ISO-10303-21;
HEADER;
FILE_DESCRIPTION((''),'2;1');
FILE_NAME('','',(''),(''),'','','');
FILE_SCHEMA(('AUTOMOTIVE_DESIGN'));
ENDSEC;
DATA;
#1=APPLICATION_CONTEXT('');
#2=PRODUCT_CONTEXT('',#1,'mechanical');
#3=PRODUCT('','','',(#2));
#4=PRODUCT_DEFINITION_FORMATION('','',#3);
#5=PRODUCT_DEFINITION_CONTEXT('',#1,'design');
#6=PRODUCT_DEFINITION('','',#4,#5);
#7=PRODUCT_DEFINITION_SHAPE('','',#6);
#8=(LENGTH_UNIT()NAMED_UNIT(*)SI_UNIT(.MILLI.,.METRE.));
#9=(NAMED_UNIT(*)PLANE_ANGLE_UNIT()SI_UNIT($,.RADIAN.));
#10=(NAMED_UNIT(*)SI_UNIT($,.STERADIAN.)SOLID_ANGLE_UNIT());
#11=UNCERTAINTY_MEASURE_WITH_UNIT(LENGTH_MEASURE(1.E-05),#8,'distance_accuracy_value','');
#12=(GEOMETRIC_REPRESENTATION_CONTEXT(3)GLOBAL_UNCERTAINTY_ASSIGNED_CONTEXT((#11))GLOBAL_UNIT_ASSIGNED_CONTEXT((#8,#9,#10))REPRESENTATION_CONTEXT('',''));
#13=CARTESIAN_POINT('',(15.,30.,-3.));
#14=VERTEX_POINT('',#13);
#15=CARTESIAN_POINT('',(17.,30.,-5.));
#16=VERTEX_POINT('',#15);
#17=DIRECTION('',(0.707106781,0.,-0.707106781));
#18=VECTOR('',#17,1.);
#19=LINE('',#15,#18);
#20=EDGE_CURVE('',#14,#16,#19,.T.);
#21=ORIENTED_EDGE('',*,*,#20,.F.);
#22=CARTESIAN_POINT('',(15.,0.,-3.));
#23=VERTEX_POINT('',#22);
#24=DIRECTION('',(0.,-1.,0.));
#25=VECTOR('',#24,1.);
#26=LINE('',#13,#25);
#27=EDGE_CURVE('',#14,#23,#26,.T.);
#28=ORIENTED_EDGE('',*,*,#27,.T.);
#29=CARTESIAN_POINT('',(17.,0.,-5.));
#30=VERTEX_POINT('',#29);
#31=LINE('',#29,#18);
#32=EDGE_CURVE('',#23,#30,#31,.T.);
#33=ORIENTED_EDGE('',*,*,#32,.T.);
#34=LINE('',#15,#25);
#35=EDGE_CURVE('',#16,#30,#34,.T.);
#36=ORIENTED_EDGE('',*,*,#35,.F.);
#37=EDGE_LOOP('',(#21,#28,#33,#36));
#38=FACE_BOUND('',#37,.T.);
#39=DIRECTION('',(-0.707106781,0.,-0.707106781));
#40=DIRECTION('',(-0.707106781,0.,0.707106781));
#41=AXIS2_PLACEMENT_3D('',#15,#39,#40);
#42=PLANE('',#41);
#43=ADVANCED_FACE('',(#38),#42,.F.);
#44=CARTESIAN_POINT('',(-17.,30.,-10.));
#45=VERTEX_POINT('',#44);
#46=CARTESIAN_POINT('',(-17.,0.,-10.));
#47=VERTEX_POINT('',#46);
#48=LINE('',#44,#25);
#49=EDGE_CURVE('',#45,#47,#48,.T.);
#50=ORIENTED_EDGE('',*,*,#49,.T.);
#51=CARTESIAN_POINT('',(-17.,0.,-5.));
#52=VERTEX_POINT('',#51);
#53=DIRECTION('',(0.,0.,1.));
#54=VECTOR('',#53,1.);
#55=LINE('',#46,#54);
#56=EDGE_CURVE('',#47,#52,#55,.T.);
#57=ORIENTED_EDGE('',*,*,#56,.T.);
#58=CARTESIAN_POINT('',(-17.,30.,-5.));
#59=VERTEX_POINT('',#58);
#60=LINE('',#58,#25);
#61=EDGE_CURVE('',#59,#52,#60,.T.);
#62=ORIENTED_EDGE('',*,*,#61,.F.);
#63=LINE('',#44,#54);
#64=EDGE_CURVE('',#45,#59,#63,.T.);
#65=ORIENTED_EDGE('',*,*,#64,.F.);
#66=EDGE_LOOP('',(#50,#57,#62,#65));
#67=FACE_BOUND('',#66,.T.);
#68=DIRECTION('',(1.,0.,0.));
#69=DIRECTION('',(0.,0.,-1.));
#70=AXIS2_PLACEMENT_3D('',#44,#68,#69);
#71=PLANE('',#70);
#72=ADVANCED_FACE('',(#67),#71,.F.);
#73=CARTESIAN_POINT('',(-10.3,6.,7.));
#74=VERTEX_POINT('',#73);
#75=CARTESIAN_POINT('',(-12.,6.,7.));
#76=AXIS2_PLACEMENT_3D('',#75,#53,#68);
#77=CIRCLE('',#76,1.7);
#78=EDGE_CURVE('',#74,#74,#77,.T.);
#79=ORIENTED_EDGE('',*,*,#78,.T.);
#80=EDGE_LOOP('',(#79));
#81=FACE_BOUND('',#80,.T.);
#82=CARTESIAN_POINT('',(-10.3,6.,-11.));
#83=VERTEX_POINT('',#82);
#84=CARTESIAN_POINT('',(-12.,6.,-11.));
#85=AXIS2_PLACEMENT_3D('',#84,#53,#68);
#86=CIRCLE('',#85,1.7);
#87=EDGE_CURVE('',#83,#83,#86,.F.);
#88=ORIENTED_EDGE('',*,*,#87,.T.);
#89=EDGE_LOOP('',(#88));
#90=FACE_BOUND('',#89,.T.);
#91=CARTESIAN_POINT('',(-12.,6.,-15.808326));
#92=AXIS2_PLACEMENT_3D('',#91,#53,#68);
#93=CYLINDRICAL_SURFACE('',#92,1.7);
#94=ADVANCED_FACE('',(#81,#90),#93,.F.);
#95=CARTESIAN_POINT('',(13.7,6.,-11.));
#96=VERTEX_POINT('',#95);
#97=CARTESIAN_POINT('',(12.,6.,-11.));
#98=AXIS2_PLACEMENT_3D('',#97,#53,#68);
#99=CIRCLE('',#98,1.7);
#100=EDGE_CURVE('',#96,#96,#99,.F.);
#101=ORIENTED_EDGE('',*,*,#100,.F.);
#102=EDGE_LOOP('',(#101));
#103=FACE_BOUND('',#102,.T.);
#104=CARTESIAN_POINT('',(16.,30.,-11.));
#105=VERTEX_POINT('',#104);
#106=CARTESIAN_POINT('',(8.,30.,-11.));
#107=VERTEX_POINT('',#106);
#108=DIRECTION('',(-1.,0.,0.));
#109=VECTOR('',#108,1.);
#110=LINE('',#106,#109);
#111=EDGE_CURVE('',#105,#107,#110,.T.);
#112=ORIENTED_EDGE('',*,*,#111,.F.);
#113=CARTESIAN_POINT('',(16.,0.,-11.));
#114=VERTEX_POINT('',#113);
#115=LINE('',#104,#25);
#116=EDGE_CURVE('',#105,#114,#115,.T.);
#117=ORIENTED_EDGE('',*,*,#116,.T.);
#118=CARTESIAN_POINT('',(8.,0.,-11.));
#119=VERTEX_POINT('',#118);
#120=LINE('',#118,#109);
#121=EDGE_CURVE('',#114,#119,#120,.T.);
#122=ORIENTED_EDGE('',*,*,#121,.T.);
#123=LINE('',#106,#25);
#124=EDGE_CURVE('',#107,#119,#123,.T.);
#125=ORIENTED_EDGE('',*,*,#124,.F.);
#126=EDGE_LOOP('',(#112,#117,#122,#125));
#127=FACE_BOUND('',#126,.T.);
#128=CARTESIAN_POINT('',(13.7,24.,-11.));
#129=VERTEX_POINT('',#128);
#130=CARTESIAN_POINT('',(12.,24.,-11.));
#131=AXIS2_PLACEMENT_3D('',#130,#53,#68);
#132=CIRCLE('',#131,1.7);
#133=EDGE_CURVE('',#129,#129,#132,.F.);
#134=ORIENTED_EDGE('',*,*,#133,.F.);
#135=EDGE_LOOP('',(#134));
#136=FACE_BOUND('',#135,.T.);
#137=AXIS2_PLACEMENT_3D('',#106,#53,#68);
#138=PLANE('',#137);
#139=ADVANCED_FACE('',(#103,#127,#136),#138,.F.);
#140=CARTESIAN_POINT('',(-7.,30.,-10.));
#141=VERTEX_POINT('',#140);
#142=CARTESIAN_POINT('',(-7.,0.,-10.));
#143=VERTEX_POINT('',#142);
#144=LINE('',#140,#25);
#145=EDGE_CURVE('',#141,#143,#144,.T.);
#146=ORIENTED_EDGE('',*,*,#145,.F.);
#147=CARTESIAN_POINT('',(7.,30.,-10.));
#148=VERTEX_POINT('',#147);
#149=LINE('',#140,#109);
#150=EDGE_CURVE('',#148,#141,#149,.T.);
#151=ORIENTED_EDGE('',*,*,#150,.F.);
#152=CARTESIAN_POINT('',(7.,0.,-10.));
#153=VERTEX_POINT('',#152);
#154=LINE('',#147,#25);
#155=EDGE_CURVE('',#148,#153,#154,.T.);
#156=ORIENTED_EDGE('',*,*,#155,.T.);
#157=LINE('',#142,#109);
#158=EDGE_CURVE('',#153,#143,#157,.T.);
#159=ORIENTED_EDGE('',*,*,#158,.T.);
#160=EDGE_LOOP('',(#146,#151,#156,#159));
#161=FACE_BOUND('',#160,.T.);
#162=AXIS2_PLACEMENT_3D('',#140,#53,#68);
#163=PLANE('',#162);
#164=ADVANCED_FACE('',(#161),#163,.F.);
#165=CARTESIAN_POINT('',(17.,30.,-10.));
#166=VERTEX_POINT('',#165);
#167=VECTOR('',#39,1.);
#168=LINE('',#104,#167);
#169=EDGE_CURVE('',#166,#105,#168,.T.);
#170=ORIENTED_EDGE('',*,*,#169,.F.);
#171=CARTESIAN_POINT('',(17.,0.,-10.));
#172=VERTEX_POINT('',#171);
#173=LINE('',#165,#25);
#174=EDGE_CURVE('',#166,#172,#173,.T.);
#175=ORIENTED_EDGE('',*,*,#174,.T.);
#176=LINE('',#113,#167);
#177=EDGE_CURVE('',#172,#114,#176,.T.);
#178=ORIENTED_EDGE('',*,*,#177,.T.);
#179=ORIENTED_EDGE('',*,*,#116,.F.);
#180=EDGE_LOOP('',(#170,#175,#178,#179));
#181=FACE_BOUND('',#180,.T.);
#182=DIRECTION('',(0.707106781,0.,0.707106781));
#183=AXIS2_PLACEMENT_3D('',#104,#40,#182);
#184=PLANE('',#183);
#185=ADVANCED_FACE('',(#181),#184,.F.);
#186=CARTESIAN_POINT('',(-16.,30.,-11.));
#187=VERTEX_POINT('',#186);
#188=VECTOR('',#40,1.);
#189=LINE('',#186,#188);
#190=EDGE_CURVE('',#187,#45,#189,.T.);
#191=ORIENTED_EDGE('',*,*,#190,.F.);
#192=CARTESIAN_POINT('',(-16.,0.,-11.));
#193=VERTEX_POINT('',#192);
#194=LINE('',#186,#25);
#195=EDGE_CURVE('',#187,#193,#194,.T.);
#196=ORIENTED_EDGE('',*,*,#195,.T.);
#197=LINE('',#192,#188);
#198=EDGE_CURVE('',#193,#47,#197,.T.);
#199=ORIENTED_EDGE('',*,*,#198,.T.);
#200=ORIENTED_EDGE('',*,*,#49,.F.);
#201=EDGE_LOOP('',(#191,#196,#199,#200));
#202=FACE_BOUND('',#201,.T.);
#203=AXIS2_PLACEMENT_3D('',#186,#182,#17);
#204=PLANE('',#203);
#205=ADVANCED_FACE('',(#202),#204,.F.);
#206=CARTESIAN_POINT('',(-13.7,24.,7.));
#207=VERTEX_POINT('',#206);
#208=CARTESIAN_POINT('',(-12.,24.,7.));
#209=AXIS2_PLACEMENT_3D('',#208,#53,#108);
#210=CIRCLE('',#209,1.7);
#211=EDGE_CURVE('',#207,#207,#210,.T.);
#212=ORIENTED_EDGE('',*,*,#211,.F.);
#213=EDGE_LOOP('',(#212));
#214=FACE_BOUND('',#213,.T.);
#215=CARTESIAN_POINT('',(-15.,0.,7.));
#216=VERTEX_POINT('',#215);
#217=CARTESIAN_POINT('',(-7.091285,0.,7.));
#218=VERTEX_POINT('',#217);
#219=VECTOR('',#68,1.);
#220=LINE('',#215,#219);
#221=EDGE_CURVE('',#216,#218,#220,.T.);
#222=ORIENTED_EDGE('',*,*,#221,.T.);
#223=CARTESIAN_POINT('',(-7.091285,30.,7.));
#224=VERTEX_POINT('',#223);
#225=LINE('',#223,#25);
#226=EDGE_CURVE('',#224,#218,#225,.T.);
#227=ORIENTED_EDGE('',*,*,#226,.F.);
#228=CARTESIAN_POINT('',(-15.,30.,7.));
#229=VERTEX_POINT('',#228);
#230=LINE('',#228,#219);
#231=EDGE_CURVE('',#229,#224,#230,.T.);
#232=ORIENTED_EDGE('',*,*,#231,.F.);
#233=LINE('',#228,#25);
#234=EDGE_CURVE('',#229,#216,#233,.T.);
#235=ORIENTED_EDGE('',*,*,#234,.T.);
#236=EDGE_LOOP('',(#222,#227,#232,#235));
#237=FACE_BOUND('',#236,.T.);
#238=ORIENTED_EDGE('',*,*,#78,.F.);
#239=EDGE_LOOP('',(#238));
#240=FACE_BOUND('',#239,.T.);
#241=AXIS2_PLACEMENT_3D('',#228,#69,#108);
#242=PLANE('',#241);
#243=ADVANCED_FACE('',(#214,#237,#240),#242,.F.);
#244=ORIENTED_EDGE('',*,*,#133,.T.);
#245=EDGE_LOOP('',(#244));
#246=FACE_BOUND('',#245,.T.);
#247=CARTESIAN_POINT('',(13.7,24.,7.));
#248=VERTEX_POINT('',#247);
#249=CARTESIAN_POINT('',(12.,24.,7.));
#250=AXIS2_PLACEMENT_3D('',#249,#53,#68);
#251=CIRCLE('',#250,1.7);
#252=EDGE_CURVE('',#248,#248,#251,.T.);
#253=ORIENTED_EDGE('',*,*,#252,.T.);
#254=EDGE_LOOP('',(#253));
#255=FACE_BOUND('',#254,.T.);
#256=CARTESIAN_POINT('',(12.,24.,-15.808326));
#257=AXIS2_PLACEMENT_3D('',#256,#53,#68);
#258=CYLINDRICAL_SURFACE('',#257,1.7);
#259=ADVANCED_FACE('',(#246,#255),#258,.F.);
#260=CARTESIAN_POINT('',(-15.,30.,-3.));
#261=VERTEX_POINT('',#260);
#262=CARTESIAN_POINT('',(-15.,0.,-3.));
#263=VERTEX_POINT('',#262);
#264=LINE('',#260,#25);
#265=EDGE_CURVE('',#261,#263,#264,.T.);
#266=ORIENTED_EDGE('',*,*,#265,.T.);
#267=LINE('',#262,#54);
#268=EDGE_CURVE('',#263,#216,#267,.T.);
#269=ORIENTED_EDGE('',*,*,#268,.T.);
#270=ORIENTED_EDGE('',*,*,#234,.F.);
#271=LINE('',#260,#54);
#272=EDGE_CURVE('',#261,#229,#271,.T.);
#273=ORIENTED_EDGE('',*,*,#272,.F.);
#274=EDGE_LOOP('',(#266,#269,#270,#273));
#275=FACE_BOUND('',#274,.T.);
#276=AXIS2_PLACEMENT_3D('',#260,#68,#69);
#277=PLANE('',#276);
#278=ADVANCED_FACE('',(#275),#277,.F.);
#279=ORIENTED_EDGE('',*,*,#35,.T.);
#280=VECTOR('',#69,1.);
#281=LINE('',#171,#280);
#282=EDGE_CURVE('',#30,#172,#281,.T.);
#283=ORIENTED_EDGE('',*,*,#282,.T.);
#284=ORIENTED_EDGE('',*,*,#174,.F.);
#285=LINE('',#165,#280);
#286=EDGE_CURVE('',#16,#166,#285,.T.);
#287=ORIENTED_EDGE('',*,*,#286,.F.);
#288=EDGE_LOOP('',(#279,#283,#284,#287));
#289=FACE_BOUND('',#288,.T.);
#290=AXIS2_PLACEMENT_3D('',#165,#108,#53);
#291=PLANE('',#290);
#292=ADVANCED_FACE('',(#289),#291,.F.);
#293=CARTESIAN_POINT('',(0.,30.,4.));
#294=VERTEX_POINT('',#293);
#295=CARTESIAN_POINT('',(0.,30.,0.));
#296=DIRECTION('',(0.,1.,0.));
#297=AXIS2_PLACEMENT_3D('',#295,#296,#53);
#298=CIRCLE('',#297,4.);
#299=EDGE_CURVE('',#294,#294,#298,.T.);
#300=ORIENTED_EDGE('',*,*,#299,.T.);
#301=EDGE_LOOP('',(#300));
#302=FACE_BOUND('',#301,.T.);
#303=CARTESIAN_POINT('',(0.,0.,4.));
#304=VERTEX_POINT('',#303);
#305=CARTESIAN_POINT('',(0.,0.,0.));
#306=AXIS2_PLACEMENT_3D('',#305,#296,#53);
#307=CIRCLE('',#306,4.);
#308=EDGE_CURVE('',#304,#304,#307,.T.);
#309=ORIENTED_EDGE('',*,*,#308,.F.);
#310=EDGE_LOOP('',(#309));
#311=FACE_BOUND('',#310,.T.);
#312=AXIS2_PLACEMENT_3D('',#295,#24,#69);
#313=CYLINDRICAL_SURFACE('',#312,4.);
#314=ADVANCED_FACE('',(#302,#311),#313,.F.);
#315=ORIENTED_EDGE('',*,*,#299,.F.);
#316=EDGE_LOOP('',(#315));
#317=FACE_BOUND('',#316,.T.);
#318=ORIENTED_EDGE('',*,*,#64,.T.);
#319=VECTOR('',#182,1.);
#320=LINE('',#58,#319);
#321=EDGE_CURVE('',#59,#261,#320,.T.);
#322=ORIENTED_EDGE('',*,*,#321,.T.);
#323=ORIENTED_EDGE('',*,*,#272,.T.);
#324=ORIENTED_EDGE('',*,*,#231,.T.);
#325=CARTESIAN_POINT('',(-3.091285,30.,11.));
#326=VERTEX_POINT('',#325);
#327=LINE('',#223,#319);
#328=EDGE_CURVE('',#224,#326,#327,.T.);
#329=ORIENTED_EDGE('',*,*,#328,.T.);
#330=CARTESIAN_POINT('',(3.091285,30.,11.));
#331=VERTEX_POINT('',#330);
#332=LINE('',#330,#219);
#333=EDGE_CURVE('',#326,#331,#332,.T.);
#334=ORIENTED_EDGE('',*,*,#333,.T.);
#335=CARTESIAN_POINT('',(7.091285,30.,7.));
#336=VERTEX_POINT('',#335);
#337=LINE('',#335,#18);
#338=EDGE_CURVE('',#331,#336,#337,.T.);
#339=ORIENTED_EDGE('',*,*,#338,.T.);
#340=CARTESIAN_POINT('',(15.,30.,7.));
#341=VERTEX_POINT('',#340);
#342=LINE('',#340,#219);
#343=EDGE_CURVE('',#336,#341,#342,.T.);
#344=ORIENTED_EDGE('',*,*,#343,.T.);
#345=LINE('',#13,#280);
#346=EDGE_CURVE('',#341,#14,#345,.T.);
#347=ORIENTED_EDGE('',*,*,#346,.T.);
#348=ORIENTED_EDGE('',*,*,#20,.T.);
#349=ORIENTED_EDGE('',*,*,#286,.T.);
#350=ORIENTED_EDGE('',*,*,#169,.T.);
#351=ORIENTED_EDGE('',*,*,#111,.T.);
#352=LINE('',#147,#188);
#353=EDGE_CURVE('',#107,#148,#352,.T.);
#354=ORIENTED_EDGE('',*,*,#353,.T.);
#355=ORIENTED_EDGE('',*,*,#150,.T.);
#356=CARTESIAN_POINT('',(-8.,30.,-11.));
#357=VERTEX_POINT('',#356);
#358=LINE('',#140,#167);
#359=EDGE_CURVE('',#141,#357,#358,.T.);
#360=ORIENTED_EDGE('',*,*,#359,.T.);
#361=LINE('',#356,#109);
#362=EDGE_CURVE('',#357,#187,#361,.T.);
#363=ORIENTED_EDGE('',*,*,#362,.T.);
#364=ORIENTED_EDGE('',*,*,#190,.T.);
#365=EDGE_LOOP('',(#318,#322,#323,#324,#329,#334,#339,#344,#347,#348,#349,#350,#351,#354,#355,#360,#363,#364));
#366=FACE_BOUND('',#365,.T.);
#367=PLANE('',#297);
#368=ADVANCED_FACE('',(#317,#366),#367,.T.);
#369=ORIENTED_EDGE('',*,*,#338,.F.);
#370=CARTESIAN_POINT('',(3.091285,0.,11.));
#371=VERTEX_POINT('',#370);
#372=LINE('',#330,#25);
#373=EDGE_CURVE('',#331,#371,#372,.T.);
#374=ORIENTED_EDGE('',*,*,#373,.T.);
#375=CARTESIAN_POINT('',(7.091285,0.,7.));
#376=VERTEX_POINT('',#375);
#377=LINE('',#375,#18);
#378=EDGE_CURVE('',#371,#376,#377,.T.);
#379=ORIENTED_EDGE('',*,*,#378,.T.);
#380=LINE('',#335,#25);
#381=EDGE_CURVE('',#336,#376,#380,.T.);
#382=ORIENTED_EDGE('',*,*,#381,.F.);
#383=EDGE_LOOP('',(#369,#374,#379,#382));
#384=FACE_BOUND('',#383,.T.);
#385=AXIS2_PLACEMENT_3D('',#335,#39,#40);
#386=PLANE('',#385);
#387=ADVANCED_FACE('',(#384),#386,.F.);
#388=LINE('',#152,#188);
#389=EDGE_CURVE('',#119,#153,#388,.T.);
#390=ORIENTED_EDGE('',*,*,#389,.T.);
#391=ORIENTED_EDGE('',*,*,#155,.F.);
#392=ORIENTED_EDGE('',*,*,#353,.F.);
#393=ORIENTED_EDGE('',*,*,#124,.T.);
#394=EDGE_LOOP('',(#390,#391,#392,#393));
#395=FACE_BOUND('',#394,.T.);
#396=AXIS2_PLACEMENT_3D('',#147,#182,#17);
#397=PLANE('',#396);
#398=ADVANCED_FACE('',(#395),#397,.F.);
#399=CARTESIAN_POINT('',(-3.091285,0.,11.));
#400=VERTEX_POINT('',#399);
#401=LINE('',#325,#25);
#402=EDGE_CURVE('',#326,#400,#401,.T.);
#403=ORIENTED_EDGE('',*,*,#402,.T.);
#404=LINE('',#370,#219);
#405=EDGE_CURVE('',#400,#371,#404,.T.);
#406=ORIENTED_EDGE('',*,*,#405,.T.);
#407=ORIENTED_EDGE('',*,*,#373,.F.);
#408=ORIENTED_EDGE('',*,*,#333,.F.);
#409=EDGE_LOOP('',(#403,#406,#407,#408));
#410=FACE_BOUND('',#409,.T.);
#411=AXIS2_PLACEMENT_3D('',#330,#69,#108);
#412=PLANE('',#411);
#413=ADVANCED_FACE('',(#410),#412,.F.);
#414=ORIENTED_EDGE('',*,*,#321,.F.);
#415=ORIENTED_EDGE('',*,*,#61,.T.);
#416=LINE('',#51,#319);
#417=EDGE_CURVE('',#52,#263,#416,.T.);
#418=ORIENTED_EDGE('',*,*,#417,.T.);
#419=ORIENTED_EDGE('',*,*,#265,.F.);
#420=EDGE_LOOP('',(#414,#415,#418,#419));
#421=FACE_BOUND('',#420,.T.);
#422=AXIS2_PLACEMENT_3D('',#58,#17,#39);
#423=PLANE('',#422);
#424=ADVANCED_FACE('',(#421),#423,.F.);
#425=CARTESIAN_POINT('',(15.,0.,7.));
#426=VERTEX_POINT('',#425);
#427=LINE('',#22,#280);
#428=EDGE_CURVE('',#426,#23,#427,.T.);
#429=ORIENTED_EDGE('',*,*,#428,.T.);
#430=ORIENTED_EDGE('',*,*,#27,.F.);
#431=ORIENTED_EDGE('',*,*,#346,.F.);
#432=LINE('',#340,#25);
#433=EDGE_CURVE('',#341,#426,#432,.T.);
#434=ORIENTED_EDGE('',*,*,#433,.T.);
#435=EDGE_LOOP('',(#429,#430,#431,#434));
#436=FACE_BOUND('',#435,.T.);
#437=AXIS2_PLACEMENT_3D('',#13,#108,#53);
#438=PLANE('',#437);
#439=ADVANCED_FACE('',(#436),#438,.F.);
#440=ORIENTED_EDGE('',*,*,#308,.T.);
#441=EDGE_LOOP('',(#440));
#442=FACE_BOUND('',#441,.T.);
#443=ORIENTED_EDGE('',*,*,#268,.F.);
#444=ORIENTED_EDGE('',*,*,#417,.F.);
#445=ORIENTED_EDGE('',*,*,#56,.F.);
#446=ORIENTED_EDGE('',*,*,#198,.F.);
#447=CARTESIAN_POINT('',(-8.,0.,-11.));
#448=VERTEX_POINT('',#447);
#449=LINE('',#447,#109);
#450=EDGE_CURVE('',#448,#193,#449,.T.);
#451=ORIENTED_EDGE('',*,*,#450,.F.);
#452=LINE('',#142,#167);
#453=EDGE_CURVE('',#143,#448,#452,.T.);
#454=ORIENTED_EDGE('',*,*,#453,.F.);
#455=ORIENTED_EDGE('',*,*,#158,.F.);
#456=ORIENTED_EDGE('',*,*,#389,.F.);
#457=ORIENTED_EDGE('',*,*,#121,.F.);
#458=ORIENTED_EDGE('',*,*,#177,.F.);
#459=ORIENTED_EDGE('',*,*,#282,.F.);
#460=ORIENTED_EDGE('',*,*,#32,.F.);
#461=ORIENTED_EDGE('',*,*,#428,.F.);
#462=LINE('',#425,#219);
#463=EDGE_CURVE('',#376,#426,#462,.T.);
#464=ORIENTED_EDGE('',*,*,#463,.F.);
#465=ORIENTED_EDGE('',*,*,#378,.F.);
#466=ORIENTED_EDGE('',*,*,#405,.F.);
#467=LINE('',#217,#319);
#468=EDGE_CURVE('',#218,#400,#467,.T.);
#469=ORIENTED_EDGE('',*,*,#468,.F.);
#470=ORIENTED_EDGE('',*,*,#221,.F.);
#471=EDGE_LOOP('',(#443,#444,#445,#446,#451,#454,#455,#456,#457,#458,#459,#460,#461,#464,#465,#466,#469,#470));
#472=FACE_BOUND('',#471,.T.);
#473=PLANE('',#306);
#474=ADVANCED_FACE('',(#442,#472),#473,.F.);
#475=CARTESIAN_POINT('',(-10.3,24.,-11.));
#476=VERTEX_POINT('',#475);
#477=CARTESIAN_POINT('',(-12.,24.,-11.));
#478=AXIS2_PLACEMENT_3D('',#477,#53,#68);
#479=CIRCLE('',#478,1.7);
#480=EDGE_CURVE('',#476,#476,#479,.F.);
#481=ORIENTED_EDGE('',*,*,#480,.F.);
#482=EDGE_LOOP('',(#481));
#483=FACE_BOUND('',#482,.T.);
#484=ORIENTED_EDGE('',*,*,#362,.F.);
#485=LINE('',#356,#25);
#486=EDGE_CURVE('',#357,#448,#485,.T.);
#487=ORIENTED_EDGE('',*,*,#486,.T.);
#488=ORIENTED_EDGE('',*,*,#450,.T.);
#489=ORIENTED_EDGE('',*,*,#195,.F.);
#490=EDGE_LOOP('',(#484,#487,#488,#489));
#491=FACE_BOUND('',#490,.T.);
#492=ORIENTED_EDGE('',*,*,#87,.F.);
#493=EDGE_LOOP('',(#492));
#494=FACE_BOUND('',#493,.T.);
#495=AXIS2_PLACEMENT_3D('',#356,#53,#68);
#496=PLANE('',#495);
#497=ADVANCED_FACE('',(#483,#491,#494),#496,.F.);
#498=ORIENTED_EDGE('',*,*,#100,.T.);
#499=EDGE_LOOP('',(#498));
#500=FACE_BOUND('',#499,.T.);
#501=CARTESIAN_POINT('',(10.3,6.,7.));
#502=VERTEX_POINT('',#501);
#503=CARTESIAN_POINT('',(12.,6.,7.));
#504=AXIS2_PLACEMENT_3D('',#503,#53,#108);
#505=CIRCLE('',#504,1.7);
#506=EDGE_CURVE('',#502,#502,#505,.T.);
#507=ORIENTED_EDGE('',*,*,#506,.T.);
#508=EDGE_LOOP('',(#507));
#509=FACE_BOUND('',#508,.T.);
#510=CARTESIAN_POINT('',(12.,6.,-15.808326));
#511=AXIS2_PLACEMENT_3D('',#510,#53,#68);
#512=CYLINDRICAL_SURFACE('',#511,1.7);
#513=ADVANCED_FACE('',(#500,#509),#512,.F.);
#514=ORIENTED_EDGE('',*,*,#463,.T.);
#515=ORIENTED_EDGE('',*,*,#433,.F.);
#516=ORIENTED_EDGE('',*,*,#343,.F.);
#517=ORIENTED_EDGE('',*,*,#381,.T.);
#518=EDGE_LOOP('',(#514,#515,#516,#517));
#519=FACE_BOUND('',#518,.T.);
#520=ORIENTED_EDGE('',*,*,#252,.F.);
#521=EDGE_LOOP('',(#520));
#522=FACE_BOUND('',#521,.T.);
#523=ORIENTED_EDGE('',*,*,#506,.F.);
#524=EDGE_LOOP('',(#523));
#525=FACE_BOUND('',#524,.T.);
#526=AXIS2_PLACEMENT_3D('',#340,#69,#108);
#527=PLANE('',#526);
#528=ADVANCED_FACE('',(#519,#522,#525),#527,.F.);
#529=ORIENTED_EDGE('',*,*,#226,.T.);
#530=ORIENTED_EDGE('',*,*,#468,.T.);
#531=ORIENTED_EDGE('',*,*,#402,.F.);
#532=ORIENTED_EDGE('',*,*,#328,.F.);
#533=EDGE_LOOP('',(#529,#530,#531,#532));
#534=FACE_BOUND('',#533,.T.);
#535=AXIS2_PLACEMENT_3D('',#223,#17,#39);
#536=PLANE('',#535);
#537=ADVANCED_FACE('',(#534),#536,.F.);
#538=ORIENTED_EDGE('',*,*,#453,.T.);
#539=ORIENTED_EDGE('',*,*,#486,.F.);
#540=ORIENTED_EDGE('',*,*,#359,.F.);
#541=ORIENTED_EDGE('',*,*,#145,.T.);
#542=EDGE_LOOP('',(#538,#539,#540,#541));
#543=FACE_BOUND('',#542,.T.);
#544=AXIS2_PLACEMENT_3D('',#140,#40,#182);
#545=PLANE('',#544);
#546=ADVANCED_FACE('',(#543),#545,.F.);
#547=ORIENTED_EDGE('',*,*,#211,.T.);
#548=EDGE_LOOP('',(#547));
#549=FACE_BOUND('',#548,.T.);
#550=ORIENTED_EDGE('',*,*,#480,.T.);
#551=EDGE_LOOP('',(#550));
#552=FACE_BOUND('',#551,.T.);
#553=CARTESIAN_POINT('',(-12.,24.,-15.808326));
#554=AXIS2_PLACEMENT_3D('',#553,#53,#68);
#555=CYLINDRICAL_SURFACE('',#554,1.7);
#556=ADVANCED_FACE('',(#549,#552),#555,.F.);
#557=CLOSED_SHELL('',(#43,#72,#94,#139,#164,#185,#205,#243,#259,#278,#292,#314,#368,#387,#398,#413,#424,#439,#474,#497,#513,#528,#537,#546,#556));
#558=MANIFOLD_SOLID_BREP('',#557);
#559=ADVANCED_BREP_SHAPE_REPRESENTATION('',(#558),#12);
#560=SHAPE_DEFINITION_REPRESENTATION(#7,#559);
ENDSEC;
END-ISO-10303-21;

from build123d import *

# Parameters (mm, degrees)
SKETCH1_R           = 4
BOSS_EXTRUDE1_DEPTH = 30
SKETCH2_R           = 1.7
CUT_EXTRUDE1_DEPTH  = 18


with BuildPart() as part:
    # Sketch1 → Boss-Extrude1 (new body)
    with BuildSketch(Plane(origin=(0, 0, 0), x_dir=(1, 0, 0), z_dir=(0, 1, 0))):
        Polygon((-7, 10), (7, 10), (8, 11), (16, 11), (17, 10), (17, 5), (15, 3), (15, -7), (7.091285061, -7), (3.091285061, -11), (-3.091285061, -11), (-7.091285061, -7), (-15, -7), (-15, 3), (-17, 5), (-17, 10), (-16, 11), (-8, 11), align=None)
        with Locations(Location((0, 0, 0), (0, 0, 270))):
            Circle(SKETCH1_R, mode=Mode.SUBTRACT)
    extrude(amount=BOSS_EXTRUDE1_DEPTH)

    # Sketch2 → Cut-Extrude1 (cut)
    with BuildSketch(Plane.XY.offset(7)):
        with Locations((12, 24)):
            Circle(SKETCH2_R)
        with Locations((-12, 24)):
            Circle(SKETCH2_R)
        with Locations((-12, 6)):
            Circle(SKETCH2_R)
        with Locations((12, 6)):
            Circle(SKETCH2_R)
    extrude(amount=-CUT_EXTRUDE1_DEPTH, mode=Mode.SUBTRACT)


solid = part.part
